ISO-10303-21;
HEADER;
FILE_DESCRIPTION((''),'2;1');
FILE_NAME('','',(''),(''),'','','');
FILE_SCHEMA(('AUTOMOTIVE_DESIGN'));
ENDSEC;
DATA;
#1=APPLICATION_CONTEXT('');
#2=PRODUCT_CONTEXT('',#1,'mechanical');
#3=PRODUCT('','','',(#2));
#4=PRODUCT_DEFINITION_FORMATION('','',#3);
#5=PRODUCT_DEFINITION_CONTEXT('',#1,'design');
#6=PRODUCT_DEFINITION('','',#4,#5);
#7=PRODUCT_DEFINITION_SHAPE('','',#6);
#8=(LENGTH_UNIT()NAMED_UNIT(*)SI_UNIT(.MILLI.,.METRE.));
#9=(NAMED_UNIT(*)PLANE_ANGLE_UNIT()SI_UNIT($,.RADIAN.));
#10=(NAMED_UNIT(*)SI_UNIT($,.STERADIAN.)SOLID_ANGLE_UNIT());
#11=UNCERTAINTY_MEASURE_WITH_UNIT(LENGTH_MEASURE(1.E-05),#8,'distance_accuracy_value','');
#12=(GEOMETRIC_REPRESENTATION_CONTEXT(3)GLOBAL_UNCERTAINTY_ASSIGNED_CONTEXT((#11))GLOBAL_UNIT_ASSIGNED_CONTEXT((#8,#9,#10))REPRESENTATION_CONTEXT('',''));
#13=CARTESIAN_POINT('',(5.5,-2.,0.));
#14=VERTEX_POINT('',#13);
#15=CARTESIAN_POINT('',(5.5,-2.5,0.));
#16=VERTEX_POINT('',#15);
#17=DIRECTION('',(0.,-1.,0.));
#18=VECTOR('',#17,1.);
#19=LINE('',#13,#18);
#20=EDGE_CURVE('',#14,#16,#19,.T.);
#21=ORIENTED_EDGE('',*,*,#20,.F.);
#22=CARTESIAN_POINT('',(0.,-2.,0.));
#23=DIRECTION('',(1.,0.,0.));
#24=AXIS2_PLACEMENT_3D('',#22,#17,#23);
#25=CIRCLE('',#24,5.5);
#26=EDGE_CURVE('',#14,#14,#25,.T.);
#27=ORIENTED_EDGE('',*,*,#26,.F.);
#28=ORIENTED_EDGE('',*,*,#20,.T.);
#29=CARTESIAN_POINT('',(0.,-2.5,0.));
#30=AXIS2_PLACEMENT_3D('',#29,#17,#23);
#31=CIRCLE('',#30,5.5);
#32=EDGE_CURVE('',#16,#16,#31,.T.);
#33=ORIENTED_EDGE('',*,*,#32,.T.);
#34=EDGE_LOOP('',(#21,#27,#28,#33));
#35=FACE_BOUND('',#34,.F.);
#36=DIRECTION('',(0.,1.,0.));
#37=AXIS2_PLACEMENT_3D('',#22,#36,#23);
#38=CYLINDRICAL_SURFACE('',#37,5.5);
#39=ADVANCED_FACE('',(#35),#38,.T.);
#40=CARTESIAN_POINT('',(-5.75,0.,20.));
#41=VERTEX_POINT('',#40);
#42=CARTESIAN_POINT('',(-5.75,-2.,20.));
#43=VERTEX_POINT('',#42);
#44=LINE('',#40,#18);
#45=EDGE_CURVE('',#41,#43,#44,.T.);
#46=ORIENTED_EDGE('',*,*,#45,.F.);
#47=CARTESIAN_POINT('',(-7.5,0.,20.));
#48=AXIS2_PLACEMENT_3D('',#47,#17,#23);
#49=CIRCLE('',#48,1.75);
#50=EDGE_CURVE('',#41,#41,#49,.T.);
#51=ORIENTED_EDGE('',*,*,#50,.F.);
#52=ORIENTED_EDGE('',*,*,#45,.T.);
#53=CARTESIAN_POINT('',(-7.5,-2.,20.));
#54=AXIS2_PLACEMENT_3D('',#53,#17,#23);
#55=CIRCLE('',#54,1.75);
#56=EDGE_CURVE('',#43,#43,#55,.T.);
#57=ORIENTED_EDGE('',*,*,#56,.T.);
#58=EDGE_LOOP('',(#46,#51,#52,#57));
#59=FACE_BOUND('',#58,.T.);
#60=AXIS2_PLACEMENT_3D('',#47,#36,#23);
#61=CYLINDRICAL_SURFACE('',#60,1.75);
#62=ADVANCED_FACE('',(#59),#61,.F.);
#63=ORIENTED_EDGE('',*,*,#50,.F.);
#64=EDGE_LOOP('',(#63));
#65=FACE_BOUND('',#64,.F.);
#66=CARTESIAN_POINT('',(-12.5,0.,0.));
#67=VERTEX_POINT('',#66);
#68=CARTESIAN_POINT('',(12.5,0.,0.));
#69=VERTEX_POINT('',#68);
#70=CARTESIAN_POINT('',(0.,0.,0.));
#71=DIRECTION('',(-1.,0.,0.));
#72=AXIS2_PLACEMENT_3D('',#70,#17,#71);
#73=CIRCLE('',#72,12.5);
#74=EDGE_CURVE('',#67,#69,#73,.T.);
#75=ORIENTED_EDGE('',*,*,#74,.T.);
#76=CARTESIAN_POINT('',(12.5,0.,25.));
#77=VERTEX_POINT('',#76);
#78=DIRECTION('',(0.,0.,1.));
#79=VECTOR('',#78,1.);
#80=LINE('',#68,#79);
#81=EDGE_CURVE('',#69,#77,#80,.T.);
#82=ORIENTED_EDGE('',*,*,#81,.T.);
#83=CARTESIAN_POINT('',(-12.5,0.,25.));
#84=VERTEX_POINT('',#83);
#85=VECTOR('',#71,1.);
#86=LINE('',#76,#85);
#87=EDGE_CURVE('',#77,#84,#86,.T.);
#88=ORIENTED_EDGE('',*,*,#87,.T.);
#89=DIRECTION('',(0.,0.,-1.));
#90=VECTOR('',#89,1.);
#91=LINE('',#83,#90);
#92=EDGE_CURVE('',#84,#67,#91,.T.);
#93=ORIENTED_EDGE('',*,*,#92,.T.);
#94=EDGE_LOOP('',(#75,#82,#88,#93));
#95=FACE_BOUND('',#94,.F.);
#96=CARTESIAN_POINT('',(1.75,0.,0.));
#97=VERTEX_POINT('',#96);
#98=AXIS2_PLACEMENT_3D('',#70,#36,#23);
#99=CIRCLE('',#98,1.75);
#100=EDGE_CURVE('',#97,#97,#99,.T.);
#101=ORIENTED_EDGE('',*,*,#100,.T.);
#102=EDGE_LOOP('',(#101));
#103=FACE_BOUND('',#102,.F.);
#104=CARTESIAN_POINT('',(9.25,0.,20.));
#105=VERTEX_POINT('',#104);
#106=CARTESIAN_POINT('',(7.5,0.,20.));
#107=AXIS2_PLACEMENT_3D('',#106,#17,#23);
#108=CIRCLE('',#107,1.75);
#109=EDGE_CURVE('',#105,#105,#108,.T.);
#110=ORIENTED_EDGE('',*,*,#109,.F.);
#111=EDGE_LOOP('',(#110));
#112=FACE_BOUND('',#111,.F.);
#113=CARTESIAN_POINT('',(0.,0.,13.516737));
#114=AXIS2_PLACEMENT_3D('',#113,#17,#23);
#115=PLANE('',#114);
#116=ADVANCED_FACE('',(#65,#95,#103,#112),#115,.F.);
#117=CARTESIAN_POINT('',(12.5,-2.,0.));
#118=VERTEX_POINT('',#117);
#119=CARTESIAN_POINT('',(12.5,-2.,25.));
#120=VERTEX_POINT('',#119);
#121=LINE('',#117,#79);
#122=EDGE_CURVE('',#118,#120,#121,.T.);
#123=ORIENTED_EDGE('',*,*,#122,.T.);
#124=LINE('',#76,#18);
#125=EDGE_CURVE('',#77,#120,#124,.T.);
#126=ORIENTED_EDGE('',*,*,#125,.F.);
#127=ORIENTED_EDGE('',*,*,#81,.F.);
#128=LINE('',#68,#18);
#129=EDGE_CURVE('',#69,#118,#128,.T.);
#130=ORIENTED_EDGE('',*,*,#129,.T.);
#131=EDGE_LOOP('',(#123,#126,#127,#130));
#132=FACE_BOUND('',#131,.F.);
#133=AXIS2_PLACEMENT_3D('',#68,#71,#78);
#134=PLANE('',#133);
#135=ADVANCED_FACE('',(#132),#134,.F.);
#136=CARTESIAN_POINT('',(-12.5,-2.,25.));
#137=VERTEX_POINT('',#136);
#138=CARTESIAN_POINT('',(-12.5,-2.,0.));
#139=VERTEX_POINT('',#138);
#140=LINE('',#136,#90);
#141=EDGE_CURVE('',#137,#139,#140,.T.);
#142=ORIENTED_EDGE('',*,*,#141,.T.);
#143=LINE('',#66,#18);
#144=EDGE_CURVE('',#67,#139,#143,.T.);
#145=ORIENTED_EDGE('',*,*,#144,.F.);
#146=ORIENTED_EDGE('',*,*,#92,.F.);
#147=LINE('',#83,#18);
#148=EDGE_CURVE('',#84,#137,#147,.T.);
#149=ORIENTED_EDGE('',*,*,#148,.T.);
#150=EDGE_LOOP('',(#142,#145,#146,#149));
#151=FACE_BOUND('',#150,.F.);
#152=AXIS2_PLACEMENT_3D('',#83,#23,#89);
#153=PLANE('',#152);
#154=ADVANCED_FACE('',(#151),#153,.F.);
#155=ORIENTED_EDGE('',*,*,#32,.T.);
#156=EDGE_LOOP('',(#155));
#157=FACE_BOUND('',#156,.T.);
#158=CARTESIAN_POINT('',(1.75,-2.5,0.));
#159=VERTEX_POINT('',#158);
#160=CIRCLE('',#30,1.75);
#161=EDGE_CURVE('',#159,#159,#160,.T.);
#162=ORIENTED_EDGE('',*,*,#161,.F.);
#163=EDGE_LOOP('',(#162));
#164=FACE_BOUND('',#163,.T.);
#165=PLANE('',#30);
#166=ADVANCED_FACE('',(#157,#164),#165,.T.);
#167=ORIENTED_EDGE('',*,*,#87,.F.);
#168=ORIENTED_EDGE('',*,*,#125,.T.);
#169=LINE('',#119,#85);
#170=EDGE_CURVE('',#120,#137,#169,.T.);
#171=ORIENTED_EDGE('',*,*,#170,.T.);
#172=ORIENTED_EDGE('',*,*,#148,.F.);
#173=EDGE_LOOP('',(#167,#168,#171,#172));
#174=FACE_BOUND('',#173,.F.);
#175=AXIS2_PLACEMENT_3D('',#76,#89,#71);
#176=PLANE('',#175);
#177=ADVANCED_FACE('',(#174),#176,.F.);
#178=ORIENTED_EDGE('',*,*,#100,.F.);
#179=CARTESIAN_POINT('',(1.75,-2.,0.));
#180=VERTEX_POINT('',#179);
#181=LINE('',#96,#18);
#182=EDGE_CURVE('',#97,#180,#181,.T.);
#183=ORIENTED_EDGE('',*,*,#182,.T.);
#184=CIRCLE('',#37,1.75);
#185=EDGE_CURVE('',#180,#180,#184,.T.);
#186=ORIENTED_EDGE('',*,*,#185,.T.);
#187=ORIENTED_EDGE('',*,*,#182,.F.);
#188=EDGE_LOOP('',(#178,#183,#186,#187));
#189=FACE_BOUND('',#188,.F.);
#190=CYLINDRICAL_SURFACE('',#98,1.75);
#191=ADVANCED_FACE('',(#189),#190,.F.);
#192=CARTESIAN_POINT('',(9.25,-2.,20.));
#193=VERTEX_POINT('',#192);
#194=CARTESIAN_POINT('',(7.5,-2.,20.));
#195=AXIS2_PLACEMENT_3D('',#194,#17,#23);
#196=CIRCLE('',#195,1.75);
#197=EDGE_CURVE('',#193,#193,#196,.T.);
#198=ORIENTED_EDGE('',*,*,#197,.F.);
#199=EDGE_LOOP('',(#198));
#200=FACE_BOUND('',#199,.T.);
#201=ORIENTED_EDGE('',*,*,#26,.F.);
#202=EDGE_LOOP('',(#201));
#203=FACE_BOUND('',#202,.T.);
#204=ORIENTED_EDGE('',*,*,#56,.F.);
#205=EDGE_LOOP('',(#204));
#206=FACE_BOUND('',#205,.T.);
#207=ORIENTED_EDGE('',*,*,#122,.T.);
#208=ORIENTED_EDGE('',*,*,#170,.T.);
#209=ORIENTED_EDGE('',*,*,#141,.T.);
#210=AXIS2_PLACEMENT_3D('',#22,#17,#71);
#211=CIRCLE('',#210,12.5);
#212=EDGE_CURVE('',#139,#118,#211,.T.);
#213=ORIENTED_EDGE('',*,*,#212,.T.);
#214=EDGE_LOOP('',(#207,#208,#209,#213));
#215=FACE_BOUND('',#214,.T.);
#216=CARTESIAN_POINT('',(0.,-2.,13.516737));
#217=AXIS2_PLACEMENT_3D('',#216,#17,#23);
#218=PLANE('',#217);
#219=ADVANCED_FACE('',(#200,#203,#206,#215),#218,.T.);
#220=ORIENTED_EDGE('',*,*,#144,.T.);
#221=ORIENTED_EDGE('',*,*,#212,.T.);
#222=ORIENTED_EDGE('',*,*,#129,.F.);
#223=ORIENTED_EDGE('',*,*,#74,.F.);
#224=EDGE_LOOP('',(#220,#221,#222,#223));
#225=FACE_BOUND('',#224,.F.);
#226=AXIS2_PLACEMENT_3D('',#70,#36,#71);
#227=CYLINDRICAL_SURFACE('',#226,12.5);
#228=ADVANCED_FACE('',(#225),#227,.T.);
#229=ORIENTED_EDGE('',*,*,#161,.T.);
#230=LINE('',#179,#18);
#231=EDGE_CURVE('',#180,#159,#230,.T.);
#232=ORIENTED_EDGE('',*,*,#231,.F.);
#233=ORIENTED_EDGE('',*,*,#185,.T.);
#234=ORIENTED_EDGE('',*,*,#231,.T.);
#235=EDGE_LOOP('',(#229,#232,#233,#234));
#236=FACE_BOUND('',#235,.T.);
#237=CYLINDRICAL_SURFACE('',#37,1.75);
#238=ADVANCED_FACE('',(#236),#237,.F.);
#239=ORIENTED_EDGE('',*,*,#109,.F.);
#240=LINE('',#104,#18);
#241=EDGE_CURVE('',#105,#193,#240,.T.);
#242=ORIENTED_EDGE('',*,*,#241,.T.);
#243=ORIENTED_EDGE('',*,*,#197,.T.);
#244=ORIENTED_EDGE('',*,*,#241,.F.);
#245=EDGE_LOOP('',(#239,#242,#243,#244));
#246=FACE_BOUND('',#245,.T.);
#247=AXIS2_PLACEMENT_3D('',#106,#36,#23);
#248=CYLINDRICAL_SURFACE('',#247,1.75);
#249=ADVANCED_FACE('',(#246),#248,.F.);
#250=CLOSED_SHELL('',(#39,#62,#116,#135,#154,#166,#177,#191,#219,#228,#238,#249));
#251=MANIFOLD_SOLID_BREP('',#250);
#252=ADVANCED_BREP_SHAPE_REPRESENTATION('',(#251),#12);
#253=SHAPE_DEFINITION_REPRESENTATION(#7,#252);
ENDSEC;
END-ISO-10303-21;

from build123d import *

# Parameters (mm, degrees)
F0_R     = 1.75
F1_DEPTH = 2
F2_R     = 5.5
F2_R_2   = 1.75
F3_DEPTH = 0.5


with BuildPart() as f1:
    # F0 (on Front) → F1 (new body)
    with BuildSketch(Plane.XZ):
        with BuildLine():
            Line((12.5, 25), (-12.5, 25))
            Line((-12.5, 25), (-12.5, 0))
            ThreePointArc((-12.5, 0), (0, 12.5), (12.5, 0))
            Line((12.5, 0), (12.5, 25))
        make_face()
        with Locations((-7.5, 20)):
            Circle(F0_R, mode=Mode.SUBTRACT)
        with Locations((7.5, 20)):
            Circle(F0_R, mode=Mode.SUBTRACT)
        with BuildLine():
            ThreePointArc((12.5, 0), (0, 12.5), (-12.5, 0))
            Line((-12.5, 0), (-1.75, 0))
            ThreePointArc((-1.75, 0), (0, 1.75), (1.75, 0))
            Line((1.75, 0), (12.5, 0))
        make_face()
        with BuildLine():
            Line((-1.75, 0), (-12.5, 0))
            ThreePointArc((-12.5, 0), (0, -12.5), (12.5, 0))
            Line((12.5, 0), (1.75, 0))
            ThreePointArc((1.75, 0), (0, -1.75), (-1.75, 0))
        make_face()
    extrude(amount=F1_DEPTH)

    # F2 (on face) → F3 (join)
    with BuildSketch(Plane.XZ.offset(2)):
        Circle(F2_R)
        Circle(F2_R_2, mode=Mode.SUBTRACT)
    extrude(amount=F3_DEPTH)


solid = f1.part
